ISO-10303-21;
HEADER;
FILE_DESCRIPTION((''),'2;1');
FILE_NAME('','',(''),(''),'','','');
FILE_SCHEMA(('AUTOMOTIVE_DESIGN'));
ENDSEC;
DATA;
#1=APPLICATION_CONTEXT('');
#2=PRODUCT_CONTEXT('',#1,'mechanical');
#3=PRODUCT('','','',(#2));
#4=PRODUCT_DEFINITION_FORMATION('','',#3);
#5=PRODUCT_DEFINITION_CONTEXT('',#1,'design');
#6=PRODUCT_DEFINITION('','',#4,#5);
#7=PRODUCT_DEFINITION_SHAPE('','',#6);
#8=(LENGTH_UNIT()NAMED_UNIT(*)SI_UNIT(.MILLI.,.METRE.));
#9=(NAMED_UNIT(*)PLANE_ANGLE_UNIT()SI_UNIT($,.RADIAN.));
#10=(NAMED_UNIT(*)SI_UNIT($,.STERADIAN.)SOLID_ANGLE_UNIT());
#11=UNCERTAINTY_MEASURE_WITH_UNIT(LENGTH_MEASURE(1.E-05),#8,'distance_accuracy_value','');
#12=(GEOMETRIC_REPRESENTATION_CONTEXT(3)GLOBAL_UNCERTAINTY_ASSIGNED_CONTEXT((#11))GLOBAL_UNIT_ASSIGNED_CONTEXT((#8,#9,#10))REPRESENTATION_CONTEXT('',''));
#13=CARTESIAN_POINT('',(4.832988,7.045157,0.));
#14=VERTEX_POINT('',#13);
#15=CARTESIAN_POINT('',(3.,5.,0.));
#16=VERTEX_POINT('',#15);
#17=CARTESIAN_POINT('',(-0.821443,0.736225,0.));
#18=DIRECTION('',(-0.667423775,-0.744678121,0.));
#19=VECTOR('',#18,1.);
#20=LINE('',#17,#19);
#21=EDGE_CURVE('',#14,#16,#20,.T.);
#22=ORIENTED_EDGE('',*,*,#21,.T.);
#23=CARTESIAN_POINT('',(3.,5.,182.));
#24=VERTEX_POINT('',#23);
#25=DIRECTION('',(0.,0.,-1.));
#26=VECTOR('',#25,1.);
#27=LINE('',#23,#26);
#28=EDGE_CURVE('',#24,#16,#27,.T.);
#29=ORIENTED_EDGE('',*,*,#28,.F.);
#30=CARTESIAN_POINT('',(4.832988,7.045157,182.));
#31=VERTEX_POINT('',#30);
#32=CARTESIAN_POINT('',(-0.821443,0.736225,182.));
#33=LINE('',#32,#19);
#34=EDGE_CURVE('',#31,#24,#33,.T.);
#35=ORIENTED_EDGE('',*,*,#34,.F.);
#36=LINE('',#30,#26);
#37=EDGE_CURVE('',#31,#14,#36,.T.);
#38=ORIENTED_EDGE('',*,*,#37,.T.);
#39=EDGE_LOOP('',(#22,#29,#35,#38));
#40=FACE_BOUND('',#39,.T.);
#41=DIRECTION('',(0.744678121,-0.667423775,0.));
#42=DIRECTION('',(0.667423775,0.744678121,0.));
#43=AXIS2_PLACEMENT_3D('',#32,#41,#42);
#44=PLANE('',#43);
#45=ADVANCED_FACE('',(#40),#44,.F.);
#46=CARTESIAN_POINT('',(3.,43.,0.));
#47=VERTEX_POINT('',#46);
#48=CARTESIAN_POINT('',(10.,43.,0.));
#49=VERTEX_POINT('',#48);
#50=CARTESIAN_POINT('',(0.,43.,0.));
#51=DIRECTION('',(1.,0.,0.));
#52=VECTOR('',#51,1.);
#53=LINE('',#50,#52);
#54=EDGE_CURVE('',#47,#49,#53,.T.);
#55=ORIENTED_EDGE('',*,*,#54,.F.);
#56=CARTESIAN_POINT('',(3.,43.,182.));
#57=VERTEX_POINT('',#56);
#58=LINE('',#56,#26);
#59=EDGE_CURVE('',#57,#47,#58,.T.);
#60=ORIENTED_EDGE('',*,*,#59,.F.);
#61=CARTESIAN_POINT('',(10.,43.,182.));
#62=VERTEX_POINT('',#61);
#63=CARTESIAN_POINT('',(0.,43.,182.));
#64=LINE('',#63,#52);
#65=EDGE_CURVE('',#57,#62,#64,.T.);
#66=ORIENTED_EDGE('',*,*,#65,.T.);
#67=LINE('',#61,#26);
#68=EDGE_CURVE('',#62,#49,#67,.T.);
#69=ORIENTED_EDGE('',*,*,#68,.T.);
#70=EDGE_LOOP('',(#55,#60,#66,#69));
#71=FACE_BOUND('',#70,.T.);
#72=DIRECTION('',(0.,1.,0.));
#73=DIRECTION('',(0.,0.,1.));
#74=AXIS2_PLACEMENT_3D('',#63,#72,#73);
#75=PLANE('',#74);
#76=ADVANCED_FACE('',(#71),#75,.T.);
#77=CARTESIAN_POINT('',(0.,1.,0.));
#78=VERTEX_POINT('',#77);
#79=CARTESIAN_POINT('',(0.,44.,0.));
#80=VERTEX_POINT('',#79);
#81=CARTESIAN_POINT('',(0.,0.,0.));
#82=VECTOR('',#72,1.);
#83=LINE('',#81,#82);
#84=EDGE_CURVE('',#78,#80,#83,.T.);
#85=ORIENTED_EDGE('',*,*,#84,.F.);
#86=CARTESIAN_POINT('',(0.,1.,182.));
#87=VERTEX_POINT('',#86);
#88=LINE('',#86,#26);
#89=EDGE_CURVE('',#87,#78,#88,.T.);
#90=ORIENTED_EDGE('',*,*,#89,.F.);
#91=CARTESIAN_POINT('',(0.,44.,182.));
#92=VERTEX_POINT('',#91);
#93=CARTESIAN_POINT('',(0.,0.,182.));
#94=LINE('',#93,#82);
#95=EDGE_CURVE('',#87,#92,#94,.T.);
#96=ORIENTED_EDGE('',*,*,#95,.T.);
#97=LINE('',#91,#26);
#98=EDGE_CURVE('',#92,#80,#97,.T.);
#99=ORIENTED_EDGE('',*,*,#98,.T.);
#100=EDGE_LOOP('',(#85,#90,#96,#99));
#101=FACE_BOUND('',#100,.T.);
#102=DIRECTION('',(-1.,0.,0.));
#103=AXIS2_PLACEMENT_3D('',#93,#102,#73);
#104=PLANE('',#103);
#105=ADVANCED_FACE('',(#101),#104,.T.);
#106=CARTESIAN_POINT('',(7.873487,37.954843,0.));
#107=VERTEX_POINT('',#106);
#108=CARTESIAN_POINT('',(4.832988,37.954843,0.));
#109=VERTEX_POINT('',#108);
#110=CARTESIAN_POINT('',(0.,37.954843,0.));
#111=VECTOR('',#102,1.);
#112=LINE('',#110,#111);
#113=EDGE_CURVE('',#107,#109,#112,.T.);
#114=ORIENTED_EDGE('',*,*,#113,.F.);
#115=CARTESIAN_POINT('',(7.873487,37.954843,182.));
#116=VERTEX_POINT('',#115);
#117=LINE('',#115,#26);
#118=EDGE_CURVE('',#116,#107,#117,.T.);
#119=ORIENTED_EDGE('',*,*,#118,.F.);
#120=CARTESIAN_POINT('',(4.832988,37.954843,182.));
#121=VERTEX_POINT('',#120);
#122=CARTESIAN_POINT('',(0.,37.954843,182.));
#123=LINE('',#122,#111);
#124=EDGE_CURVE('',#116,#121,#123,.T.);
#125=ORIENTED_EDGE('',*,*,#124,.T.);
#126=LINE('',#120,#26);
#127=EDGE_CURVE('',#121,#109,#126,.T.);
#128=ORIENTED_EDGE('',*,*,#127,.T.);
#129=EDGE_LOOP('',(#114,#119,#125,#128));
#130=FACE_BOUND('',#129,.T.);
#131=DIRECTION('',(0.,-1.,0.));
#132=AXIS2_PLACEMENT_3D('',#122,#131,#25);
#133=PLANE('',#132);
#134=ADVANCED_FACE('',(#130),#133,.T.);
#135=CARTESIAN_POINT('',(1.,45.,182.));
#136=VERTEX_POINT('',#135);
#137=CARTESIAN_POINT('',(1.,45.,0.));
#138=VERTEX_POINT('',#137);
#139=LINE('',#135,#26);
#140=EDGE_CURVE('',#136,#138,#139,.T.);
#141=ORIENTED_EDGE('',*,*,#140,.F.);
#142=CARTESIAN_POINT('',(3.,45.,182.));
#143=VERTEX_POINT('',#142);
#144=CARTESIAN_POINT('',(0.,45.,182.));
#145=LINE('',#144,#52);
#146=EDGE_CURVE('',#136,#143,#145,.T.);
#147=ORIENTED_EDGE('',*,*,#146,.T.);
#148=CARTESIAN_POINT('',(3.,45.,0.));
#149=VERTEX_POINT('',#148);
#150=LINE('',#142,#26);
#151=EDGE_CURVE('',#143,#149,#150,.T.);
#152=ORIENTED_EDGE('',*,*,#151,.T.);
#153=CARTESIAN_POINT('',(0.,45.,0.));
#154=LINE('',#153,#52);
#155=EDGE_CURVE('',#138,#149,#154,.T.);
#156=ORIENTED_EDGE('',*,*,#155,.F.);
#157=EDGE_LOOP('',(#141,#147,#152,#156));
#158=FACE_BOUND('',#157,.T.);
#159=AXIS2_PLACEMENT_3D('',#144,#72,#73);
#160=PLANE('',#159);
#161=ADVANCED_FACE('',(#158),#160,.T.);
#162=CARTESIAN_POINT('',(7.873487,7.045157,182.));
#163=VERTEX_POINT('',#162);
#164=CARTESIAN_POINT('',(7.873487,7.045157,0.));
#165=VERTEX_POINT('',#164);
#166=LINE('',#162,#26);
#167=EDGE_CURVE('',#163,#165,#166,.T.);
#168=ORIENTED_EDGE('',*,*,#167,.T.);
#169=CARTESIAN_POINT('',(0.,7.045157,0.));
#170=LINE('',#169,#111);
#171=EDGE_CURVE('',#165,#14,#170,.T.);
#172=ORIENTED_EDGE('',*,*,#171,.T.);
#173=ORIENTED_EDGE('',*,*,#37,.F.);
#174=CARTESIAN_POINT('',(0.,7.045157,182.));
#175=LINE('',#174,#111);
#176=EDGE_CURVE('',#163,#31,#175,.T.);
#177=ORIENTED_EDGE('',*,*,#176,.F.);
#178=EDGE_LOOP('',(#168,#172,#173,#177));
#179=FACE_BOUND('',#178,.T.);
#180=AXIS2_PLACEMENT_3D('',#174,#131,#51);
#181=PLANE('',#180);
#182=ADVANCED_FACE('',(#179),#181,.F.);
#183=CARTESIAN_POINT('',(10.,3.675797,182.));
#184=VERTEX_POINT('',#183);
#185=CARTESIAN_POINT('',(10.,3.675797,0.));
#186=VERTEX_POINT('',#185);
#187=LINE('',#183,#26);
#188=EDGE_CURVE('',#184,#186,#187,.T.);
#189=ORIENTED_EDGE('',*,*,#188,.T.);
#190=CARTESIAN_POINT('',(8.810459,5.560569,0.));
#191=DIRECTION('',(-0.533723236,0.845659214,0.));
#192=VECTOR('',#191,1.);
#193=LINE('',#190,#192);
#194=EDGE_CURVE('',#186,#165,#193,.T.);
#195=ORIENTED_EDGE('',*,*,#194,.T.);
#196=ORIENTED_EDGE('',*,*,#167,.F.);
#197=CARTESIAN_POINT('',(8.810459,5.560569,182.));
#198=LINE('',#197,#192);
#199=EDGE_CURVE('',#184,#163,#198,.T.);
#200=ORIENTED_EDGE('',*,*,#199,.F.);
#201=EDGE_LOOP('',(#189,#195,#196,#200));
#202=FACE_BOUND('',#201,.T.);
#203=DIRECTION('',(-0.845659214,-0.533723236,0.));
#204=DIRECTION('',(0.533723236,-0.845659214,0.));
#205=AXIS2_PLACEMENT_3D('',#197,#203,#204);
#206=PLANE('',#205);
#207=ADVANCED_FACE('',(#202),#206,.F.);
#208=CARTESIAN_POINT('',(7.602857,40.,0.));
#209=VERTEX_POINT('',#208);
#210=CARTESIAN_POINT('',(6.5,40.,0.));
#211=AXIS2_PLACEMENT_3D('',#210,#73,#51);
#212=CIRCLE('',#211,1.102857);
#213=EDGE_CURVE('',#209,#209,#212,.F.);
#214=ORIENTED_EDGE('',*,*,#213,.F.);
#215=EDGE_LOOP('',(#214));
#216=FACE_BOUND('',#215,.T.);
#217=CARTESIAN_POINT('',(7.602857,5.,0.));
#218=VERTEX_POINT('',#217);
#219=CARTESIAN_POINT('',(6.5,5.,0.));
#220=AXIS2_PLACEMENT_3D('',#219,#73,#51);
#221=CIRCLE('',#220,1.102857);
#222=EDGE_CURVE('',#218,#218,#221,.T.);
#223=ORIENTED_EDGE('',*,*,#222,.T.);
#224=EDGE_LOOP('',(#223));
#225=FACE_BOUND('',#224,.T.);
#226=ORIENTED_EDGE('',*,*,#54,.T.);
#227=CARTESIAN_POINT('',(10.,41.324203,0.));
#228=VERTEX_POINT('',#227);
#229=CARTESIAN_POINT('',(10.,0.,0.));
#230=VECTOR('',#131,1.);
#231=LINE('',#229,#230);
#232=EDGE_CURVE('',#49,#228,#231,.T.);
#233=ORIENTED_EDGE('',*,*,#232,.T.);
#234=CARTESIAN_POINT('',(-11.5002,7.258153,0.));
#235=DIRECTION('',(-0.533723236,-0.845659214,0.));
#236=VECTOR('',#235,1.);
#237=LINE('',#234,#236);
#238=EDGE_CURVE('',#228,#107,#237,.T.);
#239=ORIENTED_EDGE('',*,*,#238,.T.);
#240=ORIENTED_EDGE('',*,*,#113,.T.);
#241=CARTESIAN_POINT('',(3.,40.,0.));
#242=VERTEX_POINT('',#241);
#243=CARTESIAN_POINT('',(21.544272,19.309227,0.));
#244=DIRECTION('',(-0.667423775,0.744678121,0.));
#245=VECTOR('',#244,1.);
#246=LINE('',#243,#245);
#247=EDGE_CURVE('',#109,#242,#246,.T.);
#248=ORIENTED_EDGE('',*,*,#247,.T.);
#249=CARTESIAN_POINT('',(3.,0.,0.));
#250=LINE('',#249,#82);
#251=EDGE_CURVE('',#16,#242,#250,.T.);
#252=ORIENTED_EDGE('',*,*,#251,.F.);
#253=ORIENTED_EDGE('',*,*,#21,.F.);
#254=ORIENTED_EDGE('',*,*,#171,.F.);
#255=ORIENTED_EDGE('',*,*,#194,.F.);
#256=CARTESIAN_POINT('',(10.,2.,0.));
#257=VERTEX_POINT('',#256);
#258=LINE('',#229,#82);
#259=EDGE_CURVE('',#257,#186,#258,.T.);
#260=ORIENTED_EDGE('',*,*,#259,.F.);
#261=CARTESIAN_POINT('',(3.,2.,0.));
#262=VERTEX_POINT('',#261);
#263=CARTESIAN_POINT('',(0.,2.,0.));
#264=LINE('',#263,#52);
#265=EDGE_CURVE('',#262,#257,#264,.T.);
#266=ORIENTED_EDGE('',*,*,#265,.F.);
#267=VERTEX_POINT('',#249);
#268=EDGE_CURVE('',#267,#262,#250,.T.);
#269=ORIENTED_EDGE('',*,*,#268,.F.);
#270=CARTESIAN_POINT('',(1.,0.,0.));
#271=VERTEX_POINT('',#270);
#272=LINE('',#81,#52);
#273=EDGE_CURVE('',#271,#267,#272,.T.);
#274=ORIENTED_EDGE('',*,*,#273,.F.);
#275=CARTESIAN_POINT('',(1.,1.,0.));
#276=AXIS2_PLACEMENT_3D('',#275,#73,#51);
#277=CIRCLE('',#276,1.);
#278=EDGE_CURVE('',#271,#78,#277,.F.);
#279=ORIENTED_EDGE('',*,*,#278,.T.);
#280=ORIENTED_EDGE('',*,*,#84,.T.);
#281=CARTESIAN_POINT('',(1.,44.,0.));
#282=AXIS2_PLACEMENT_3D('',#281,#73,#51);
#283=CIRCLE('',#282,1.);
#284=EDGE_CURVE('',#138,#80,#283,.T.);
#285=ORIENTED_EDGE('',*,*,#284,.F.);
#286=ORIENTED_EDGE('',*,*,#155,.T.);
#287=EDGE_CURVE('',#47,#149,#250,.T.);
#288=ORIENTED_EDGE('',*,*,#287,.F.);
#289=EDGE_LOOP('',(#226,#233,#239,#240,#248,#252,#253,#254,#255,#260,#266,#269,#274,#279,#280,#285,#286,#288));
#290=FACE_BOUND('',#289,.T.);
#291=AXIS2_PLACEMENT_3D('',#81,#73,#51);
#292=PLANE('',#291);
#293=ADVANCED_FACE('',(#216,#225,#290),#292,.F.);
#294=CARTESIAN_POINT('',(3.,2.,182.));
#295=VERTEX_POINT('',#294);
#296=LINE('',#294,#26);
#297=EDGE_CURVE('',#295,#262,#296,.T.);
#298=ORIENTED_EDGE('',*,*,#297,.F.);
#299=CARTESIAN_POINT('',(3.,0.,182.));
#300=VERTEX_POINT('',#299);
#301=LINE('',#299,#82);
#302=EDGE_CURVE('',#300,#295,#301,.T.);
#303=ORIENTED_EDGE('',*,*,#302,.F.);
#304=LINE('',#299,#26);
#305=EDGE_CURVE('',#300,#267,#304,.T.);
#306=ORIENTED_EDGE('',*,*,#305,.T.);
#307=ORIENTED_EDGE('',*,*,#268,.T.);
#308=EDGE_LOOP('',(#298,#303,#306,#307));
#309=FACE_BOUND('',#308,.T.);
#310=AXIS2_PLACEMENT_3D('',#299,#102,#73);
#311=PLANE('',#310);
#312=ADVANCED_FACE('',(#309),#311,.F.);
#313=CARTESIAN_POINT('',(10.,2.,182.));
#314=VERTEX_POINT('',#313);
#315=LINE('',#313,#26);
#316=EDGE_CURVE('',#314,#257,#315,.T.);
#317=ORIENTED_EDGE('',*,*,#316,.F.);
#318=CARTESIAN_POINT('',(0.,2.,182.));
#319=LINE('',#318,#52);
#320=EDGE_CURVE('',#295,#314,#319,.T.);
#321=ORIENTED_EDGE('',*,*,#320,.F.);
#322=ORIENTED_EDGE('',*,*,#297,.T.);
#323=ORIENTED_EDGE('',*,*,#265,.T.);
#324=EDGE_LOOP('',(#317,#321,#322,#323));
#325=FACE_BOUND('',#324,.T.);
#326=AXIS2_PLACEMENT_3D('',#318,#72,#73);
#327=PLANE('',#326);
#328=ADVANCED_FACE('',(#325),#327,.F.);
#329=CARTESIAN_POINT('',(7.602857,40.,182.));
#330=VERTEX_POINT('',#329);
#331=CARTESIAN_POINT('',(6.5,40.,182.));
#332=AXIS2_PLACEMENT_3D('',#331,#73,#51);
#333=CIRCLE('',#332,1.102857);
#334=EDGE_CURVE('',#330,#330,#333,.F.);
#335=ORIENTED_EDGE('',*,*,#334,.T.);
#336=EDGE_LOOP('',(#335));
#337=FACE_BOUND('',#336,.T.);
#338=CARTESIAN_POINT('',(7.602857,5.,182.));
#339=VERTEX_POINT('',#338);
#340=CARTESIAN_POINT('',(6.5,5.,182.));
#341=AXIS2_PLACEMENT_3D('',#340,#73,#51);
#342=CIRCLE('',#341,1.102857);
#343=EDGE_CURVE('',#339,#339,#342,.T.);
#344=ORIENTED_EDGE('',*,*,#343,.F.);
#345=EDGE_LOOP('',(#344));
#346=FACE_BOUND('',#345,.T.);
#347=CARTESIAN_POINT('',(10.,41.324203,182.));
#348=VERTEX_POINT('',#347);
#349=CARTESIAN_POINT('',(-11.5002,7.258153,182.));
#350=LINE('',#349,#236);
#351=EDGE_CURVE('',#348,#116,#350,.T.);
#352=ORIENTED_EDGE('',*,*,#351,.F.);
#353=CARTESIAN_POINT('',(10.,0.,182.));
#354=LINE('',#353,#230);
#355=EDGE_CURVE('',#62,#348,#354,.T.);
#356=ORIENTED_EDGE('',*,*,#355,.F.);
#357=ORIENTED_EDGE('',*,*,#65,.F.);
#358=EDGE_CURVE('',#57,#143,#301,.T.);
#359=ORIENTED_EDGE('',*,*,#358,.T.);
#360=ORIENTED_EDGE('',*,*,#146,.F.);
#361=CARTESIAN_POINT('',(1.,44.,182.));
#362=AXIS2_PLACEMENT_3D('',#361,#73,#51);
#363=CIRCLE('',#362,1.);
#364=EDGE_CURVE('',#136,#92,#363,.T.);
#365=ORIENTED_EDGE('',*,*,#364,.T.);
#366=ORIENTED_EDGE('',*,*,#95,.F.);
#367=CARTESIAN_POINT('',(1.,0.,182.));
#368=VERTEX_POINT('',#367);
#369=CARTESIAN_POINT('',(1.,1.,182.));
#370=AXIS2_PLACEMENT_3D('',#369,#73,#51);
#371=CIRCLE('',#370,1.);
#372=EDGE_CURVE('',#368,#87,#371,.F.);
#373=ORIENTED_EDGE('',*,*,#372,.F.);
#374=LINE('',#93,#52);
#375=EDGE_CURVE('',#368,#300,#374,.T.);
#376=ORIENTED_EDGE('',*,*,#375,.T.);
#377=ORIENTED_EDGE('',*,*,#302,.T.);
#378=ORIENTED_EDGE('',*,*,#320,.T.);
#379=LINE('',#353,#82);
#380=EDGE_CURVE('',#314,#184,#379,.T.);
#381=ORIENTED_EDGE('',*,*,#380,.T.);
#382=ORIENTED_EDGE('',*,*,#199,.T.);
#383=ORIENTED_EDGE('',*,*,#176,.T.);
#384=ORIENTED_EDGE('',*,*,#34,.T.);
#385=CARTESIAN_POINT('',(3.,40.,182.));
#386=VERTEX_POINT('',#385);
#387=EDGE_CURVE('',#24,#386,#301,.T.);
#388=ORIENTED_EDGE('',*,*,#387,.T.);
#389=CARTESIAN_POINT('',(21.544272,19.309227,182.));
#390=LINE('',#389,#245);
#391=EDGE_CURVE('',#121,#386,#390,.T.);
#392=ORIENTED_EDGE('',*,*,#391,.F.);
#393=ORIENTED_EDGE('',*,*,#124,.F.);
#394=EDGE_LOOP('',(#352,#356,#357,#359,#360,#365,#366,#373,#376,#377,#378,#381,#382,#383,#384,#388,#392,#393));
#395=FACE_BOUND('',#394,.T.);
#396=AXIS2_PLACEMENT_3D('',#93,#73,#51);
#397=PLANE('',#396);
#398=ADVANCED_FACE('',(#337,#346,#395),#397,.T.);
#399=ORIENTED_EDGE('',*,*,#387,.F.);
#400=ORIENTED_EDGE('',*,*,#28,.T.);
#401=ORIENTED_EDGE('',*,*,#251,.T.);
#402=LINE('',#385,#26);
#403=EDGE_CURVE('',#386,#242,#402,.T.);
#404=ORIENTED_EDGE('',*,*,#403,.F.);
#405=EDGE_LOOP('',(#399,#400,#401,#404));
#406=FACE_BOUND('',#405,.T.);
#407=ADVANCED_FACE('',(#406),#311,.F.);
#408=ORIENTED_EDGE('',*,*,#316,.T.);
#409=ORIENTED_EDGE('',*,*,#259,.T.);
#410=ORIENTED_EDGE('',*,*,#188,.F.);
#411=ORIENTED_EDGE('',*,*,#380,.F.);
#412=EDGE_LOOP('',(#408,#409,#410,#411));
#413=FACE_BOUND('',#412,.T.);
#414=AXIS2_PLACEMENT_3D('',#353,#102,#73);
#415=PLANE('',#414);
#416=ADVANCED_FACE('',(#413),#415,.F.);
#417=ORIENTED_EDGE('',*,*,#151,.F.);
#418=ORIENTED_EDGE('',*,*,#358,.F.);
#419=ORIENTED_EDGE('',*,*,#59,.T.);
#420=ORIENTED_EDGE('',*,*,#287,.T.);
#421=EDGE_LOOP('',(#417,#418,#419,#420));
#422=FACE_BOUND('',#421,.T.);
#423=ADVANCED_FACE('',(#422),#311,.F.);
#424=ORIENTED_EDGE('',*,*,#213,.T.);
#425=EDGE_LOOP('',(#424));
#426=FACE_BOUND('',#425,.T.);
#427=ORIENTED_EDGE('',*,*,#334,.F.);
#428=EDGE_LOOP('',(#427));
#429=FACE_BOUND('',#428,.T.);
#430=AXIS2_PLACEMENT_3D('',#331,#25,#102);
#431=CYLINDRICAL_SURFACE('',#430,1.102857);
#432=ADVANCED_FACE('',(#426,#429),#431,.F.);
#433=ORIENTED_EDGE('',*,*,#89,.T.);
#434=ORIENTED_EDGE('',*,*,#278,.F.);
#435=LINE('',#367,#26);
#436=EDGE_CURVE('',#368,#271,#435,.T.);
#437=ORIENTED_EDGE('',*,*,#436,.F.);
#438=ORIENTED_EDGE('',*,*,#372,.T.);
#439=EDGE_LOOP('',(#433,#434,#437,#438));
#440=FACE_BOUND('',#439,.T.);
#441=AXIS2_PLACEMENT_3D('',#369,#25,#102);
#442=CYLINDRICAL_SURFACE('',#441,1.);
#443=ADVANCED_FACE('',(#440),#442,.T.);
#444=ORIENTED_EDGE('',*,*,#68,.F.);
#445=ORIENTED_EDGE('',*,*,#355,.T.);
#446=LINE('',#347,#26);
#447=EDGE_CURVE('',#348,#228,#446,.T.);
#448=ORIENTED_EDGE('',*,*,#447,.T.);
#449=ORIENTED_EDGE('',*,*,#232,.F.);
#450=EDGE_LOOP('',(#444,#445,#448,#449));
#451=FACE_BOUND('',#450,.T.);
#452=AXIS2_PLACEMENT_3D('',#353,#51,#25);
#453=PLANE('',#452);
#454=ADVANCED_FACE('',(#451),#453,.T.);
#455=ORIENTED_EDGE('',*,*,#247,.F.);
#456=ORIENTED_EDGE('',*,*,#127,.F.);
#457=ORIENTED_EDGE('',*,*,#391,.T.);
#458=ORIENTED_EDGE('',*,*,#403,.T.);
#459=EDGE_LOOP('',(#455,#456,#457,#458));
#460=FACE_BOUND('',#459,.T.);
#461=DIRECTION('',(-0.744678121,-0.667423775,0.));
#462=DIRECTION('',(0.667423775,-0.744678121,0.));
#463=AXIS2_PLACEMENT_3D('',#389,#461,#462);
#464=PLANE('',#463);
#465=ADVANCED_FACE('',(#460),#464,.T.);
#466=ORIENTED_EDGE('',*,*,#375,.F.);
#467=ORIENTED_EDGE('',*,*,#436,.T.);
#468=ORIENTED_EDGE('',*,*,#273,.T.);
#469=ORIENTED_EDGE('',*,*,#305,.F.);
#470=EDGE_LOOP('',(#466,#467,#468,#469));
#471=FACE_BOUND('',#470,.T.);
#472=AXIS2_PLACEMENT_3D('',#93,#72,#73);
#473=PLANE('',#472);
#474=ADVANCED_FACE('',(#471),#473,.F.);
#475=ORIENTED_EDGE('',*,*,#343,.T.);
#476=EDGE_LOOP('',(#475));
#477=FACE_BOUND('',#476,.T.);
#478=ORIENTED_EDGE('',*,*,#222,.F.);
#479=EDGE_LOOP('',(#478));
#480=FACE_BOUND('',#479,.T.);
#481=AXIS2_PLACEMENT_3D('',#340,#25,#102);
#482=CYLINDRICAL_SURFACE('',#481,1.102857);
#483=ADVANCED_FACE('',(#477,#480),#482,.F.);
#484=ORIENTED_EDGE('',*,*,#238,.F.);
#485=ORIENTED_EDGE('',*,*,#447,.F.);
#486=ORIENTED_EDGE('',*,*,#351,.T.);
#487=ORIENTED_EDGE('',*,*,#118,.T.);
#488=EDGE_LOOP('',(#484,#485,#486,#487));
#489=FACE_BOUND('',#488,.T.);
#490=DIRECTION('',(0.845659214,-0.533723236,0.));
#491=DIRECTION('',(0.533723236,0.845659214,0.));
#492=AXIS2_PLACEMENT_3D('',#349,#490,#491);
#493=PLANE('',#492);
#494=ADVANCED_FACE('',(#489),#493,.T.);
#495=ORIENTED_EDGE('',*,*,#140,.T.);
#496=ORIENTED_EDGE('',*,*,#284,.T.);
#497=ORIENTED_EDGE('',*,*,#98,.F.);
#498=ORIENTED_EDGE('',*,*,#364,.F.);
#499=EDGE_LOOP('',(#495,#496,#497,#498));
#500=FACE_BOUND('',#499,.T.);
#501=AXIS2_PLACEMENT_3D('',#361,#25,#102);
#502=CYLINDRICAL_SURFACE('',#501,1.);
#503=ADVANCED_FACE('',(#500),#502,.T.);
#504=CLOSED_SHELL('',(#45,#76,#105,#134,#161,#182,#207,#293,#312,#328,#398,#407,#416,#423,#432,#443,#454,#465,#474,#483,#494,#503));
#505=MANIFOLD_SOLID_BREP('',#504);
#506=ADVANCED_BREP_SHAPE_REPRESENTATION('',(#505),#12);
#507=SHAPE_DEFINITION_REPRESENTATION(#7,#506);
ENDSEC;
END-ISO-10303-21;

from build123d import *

# Parameters (mm, degrees)
SKETCH_1_R      = 1.102856911
EXTRUDE_1_DEPTH = 182


with BuildPart() as part:
    # 草图1 → 凸台-拉伸1 (new body)
    with BuildSketch(Plane.XY):
        with BuildLine():
            Line((1, 45), (3, 45))
            Line((3, 45), (3, 43))
            Line((3, 43), (10, 43))
            Line((10, 43), (10, 41.324203171))
            Line((10, 41.324203171), (7.873486532, 37.954843198))
            Line((7.873486532, 37.954843198), (4.832988285, 37.954843198))
            Line((4.832988285, 37.954843198), (3, 40))
            Line((3, 40), (3, 5))
            Line((3, 5), (4.832988285, 7.045156802))
            Line((4.832988285, 7.045156802), (7.873486532, 7.045156802))
            Line((7.873486532, 7.045156802), (10, 3.675796829))
            Line((10, 3.675796829), (10, 2))
            Line((10, 2), (3, 2))
            Line((3, 2), (3, 0))
            Line((3, 0), (1, 0))
            ThreePointArc((1, 0), (0.292893219, 0.292893219), (0, 1))
            Line((0, 1), (0, 44))
            ThreePointArc((0, 44), (0.292893219, 44.707106781), (1, 45))
        make_face()
        with Locations((6.5, 5)):
            Circle(SKETCH_1_R, mode=Mode.SUBTRACT)
        with Locations((6.5, 40)):
            Circle(SKETCH_1_R, mode=Mode.SUBTRACT)
    extrude(amount=EXTRUDE_1_DEPTH)


solid = part.part
